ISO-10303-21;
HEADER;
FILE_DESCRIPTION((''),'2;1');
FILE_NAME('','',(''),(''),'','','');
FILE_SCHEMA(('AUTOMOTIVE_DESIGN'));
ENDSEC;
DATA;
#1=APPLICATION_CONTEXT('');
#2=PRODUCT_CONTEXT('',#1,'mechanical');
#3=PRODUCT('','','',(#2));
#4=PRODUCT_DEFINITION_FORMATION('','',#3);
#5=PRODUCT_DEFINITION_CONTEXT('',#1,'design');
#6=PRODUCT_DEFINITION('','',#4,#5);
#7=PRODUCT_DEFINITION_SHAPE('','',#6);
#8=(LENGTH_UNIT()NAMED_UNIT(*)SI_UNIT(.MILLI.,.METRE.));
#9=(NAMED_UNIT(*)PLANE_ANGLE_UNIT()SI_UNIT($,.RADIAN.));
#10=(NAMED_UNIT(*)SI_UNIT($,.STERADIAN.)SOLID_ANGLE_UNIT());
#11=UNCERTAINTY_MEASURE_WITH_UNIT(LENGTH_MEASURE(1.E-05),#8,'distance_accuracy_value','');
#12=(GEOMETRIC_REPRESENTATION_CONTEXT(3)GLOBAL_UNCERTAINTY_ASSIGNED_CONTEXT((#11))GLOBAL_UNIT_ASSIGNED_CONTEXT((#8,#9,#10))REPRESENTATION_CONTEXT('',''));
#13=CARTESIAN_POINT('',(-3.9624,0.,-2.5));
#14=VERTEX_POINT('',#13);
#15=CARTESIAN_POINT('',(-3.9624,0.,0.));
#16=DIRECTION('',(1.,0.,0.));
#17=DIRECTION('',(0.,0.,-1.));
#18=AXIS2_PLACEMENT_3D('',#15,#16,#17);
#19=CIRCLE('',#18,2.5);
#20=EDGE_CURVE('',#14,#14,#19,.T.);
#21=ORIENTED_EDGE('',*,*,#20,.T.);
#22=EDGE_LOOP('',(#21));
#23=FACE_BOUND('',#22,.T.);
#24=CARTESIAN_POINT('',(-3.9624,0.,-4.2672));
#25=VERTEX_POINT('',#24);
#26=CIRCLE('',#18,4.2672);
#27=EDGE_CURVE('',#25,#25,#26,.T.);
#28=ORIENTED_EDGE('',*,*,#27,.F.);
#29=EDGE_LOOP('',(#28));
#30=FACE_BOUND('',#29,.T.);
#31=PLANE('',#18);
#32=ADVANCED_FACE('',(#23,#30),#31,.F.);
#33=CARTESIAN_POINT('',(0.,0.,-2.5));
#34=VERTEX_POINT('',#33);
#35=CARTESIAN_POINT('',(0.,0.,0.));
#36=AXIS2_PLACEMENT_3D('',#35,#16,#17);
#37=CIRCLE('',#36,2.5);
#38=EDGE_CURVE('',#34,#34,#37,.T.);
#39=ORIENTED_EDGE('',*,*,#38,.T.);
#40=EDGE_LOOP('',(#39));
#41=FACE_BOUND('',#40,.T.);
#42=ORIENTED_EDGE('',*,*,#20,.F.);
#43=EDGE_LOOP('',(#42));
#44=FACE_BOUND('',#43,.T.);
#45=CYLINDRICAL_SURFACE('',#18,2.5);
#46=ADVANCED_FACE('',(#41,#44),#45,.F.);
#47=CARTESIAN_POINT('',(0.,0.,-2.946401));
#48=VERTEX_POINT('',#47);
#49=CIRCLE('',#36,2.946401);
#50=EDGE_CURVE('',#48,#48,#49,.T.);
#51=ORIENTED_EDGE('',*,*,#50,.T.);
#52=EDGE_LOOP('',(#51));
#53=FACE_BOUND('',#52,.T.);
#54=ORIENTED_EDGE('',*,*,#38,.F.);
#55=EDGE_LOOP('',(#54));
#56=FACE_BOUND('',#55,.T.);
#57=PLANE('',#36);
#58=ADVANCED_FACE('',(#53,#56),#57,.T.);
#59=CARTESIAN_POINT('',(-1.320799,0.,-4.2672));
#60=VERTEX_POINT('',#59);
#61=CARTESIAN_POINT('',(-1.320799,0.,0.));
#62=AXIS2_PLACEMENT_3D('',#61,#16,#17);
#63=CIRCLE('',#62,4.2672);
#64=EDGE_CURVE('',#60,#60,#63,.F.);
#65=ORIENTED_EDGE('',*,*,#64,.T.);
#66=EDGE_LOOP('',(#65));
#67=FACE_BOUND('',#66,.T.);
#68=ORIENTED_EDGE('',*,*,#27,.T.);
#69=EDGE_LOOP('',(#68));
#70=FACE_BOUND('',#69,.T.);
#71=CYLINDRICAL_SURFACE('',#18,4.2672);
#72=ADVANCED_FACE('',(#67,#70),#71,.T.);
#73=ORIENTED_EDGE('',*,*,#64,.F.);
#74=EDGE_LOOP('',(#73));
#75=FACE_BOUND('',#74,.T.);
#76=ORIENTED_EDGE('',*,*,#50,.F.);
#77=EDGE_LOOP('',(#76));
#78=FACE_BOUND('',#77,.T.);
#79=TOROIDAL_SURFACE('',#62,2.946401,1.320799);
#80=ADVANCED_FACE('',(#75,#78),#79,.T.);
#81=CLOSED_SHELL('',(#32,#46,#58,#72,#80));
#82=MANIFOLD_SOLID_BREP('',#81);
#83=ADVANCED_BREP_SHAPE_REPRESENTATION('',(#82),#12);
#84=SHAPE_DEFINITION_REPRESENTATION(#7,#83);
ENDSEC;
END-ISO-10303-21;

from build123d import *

# Parameters (mm, degrees)
SKETCH2_R           = 4.2672
SKETCH2_R_2         = 2.50000008
BOSS_EXTRUDE1_DEPTH = 3.9624
FILLET2_R           = 1.320798984


with BuildPart() as part:
    # Sketch2 → Boss-Extrude1 (new body)
    with BuildSketch(Plane(origin=(0, 0, 0), x_dir=(0, 0, -1), z_dir=(1, 0, 0))):
        Circle(SKETCH2_R)
        Circle(SKETCH2_R_2, mode=Mode.SUBTRACT)
    extrude(amount=-BOSS_EXTRUDE1_DEPTH)

    # Fillet2
    fillet2_edges = [part.edges().sort_by_distance(p)[0] for p in [
        (0, 0, 4.2672),
    ]]
    fillet(fillet2_edges, radius=FILLET2_R)


solid = part.part
